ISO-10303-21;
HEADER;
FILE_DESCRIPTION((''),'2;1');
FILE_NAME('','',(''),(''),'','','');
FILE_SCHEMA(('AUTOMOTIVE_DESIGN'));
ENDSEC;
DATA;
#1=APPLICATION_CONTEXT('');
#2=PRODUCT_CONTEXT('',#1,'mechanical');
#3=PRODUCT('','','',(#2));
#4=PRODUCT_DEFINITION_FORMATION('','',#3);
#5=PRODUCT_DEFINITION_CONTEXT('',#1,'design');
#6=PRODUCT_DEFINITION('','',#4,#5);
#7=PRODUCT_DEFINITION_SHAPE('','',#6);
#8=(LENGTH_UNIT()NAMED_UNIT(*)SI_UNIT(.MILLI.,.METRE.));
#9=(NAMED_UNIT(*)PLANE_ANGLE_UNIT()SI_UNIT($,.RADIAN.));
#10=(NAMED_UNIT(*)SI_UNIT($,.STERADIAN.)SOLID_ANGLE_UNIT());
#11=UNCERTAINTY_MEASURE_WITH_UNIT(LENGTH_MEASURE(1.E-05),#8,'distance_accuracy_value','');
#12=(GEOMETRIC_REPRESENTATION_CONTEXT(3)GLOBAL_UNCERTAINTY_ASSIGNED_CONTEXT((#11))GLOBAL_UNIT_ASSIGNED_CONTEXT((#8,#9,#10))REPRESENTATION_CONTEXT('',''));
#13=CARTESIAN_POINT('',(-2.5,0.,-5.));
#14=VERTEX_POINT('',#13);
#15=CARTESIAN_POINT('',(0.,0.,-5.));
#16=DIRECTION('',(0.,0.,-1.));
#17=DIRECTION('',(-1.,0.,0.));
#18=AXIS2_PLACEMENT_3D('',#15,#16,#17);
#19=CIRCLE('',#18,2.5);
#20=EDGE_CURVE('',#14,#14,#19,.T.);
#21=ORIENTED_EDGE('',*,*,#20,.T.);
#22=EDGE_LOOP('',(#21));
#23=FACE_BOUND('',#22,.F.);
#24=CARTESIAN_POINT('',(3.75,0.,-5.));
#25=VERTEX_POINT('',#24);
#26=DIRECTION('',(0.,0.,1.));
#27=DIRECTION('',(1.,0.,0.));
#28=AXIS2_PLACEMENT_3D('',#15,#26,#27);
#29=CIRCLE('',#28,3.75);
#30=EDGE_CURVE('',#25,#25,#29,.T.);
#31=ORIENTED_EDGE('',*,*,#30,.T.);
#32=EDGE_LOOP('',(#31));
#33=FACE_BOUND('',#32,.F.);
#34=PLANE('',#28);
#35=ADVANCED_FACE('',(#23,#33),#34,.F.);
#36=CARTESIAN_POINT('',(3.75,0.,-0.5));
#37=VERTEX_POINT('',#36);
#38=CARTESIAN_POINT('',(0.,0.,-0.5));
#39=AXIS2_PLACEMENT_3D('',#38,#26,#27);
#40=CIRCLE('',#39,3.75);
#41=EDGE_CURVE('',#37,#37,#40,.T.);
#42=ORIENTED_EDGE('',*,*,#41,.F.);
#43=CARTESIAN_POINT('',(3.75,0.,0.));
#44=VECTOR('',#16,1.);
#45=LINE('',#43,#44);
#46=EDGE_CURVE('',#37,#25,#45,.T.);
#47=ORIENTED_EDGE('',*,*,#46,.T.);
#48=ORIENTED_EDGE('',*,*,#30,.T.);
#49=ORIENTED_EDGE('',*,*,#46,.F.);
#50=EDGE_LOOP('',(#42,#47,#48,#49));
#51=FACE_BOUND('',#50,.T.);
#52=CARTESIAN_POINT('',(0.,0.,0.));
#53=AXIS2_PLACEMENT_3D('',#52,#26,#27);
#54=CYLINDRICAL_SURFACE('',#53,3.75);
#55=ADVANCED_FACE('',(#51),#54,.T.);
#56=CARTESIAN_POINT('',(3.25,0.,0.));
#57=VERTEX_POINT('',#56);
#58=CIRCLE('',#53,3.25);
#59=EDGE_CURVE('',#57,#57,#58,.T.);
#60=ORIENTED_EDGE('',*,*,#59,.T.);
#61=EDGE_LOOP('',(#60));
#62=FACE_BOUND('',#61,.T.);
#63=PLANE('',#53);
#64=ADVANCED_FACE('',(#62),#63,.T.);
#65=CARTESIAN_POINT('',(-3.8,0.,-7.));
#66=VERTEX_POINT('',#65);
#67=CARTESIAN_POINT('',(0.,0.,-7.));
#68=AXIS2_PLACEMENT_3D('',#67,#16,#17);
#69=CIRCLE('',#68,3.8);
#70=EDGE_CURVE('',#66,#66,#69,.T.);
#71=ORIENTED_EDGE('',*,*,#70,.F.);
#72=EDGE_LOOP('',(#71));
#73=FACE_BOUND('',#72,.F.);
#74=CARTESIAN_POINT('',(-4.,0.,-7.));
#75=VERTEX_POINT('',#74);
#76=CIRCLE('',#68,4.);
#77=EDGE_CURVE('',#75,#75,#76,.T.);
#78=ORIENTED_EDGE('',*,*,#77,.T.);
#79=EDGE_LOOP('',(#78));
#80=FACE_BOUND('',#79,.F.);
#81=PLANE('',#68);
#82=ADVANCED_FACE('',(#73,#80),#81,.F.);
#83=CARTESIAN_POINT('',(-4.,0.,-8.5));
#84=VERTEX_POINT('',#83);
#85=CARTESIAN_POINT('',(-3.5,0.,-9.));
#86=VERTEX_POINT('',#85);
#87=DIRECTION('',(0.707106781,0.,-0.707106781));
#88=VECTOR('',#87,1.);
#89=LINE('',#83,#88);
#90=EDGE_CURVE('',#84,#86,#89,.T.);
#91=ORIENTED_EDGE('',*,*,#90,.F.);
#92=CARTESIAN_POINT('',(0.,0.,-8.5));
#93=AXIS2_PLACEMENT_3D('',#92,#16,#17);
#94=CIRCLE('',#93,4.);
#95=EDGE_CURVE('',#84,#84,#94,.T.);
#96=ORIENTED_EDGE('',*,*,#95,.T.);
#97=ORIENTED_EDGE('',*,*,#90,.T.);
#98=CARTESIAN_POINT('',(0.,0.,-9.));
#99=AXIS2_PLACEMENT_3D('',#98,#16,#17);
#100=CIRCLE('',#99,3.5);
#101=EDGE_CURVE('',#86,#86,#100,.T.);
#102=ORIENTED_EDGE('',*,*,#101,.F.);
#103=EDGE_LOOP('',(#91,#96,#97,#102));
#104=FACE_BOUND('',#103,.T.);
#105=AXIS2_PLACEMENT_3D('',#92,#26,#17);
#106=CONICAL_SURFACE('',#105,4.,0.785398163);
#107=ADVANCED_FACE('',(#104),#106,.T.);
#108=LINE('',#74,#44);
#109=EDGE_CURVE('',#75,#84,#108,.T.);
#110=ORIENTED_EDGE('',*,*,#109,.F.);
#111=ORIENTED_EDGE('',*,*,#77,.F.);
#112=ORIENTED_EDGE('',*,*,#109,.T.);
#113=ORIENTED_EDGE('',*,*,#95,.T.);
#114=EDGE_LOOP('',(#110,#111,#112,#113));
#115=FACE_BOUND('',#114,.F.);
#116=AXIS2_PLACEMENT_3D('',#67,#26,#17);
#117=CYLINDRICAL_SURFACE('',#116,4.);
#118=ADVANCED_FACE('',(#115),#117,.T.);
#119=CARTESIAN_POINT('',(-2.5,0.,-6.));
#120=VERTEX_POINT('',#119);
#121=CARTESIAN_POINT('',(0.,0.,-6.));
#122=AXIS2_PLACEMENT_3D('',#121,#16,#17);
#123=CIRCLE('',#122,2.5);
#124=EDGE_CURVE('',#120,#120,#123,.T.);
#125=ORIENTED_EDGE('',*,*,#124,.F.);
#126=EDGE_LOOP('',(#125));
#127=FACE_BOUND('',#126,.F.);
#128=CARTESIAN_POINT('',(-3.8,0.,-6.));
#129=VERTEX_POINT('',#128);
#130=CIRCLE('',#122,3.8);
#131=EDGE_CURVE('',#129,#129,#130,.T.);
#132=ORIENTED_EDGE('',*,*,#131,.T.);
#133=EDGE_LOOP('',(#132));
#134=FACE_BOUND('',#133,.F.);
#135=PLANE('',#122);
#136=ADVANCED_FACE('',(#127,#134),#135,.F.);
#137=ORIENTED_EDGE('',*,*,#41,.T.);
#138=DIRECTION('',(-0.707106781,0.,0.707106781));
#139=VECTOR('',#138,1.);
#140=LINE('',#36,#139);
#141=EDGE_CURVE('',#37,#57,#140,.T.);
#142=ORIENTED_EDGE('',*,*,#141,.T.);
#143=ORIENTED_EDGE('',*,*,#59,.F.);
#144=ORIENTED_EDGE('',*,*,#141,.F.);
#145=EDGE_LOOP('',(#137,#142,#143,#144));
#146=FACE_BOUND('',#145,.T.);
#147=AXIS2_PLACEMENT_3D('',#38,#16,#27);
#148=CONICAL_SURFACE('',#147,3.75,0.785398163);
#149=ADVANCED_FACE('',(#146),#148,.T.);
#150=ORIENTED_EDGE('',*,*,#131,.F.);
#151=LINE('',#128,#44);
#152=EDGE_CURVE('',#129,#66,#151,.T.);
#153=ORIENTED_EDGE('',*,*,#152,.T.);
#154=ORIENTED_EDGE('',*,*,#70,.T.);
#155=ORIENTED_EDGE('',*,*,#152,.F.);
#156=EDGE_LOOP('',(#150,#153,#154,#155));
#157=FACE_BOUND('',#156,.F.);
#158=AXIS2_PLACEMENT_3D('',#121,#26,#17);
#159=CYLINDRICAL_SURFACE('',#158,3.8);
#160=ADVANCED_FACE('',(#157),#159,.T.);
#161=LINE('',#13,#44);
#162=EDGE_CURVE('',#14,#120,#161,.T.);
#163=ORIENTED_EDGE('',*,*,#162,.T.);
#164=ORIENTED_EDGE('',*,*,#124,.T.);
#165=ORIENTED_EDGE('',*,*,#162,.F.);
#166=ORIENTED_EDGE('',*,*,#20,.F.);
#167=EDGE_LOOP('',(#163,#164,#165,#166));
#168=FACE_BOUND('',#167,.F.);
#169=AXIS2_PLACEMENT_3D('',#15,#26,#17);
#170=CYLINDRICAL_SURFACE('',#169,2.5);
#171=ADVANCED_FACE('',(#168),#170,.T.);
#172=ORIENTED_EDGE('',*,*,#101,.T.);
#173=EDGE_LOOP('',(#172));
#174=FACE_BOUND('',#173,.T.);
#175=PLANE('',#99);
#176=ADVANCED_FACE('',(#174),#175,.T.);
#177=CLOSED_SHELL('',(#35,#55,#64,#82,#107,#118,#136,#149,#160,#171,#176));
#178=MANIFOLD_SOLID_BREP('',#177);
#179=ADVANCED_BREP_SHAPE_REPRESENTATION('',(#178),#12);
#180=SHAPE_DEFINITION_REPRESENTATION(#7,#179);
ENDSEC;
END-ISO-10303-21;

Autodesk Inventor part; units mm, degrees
ref_plane "YZ Plane" through (0, 0, 0) normal (1, 0, 0) x (0, 1, 0)
ref_plane "XZ Plane" through (0, 0, 0) normal (0, 1, 0) x (-1, 0, 0)
ref_plane "XY Plane" through (0, 0, 0) normal (0, 0, 1) x (1, 0, 0)
sketch "Sketch1" plane through (0, 0, 0) normal (0, 0, 1) x (1, 0, 0)
  circle A0 centre (0, 0) radius 3.75
  dimension "d0" = 7.5
extrude "Extrusion1" add sketch "Sketch1" against normal blind 5
chamfer "Chamfer1" distance 0.5 angle 45 1 edges at (-3.75, 0, 0) measured on face at (3.7014, -0.6015, -3.3333)
sketch "Sketch2" plane through (0, 0, -5) normal (0, 0, -1) x (-1, 0, 0)
  circle A0 centre (0, 0) radius 2.5
  dimension "d6" = 5
extrude "Extrusion2" add sketch "Sketch2" along normal blind 1
sketch "Sketch3" plane through (0, 0, -6) normal (0, 0, -1) x (-1, 0, 0)
  circle A0 centre (0, 0) radius 3.8
  dimension "d9" = 7.6
extrude "Extrusion3" add sketch "Sketch3" along normal blind 1
sketch "Sketch4" plane through (0, 0, -7) normal (0, 0, -1) x (-1, 0, 0)
  circle A0 centre (0, 0) radius 4
extrude "Extrusion4" add sketch "Sketch4" along normal blind 2
chamfer "Chamfer2" distance 0.5 angle 45 1 edges at (4, 0, -9)
properties part number "Bolt" material "Steel"
